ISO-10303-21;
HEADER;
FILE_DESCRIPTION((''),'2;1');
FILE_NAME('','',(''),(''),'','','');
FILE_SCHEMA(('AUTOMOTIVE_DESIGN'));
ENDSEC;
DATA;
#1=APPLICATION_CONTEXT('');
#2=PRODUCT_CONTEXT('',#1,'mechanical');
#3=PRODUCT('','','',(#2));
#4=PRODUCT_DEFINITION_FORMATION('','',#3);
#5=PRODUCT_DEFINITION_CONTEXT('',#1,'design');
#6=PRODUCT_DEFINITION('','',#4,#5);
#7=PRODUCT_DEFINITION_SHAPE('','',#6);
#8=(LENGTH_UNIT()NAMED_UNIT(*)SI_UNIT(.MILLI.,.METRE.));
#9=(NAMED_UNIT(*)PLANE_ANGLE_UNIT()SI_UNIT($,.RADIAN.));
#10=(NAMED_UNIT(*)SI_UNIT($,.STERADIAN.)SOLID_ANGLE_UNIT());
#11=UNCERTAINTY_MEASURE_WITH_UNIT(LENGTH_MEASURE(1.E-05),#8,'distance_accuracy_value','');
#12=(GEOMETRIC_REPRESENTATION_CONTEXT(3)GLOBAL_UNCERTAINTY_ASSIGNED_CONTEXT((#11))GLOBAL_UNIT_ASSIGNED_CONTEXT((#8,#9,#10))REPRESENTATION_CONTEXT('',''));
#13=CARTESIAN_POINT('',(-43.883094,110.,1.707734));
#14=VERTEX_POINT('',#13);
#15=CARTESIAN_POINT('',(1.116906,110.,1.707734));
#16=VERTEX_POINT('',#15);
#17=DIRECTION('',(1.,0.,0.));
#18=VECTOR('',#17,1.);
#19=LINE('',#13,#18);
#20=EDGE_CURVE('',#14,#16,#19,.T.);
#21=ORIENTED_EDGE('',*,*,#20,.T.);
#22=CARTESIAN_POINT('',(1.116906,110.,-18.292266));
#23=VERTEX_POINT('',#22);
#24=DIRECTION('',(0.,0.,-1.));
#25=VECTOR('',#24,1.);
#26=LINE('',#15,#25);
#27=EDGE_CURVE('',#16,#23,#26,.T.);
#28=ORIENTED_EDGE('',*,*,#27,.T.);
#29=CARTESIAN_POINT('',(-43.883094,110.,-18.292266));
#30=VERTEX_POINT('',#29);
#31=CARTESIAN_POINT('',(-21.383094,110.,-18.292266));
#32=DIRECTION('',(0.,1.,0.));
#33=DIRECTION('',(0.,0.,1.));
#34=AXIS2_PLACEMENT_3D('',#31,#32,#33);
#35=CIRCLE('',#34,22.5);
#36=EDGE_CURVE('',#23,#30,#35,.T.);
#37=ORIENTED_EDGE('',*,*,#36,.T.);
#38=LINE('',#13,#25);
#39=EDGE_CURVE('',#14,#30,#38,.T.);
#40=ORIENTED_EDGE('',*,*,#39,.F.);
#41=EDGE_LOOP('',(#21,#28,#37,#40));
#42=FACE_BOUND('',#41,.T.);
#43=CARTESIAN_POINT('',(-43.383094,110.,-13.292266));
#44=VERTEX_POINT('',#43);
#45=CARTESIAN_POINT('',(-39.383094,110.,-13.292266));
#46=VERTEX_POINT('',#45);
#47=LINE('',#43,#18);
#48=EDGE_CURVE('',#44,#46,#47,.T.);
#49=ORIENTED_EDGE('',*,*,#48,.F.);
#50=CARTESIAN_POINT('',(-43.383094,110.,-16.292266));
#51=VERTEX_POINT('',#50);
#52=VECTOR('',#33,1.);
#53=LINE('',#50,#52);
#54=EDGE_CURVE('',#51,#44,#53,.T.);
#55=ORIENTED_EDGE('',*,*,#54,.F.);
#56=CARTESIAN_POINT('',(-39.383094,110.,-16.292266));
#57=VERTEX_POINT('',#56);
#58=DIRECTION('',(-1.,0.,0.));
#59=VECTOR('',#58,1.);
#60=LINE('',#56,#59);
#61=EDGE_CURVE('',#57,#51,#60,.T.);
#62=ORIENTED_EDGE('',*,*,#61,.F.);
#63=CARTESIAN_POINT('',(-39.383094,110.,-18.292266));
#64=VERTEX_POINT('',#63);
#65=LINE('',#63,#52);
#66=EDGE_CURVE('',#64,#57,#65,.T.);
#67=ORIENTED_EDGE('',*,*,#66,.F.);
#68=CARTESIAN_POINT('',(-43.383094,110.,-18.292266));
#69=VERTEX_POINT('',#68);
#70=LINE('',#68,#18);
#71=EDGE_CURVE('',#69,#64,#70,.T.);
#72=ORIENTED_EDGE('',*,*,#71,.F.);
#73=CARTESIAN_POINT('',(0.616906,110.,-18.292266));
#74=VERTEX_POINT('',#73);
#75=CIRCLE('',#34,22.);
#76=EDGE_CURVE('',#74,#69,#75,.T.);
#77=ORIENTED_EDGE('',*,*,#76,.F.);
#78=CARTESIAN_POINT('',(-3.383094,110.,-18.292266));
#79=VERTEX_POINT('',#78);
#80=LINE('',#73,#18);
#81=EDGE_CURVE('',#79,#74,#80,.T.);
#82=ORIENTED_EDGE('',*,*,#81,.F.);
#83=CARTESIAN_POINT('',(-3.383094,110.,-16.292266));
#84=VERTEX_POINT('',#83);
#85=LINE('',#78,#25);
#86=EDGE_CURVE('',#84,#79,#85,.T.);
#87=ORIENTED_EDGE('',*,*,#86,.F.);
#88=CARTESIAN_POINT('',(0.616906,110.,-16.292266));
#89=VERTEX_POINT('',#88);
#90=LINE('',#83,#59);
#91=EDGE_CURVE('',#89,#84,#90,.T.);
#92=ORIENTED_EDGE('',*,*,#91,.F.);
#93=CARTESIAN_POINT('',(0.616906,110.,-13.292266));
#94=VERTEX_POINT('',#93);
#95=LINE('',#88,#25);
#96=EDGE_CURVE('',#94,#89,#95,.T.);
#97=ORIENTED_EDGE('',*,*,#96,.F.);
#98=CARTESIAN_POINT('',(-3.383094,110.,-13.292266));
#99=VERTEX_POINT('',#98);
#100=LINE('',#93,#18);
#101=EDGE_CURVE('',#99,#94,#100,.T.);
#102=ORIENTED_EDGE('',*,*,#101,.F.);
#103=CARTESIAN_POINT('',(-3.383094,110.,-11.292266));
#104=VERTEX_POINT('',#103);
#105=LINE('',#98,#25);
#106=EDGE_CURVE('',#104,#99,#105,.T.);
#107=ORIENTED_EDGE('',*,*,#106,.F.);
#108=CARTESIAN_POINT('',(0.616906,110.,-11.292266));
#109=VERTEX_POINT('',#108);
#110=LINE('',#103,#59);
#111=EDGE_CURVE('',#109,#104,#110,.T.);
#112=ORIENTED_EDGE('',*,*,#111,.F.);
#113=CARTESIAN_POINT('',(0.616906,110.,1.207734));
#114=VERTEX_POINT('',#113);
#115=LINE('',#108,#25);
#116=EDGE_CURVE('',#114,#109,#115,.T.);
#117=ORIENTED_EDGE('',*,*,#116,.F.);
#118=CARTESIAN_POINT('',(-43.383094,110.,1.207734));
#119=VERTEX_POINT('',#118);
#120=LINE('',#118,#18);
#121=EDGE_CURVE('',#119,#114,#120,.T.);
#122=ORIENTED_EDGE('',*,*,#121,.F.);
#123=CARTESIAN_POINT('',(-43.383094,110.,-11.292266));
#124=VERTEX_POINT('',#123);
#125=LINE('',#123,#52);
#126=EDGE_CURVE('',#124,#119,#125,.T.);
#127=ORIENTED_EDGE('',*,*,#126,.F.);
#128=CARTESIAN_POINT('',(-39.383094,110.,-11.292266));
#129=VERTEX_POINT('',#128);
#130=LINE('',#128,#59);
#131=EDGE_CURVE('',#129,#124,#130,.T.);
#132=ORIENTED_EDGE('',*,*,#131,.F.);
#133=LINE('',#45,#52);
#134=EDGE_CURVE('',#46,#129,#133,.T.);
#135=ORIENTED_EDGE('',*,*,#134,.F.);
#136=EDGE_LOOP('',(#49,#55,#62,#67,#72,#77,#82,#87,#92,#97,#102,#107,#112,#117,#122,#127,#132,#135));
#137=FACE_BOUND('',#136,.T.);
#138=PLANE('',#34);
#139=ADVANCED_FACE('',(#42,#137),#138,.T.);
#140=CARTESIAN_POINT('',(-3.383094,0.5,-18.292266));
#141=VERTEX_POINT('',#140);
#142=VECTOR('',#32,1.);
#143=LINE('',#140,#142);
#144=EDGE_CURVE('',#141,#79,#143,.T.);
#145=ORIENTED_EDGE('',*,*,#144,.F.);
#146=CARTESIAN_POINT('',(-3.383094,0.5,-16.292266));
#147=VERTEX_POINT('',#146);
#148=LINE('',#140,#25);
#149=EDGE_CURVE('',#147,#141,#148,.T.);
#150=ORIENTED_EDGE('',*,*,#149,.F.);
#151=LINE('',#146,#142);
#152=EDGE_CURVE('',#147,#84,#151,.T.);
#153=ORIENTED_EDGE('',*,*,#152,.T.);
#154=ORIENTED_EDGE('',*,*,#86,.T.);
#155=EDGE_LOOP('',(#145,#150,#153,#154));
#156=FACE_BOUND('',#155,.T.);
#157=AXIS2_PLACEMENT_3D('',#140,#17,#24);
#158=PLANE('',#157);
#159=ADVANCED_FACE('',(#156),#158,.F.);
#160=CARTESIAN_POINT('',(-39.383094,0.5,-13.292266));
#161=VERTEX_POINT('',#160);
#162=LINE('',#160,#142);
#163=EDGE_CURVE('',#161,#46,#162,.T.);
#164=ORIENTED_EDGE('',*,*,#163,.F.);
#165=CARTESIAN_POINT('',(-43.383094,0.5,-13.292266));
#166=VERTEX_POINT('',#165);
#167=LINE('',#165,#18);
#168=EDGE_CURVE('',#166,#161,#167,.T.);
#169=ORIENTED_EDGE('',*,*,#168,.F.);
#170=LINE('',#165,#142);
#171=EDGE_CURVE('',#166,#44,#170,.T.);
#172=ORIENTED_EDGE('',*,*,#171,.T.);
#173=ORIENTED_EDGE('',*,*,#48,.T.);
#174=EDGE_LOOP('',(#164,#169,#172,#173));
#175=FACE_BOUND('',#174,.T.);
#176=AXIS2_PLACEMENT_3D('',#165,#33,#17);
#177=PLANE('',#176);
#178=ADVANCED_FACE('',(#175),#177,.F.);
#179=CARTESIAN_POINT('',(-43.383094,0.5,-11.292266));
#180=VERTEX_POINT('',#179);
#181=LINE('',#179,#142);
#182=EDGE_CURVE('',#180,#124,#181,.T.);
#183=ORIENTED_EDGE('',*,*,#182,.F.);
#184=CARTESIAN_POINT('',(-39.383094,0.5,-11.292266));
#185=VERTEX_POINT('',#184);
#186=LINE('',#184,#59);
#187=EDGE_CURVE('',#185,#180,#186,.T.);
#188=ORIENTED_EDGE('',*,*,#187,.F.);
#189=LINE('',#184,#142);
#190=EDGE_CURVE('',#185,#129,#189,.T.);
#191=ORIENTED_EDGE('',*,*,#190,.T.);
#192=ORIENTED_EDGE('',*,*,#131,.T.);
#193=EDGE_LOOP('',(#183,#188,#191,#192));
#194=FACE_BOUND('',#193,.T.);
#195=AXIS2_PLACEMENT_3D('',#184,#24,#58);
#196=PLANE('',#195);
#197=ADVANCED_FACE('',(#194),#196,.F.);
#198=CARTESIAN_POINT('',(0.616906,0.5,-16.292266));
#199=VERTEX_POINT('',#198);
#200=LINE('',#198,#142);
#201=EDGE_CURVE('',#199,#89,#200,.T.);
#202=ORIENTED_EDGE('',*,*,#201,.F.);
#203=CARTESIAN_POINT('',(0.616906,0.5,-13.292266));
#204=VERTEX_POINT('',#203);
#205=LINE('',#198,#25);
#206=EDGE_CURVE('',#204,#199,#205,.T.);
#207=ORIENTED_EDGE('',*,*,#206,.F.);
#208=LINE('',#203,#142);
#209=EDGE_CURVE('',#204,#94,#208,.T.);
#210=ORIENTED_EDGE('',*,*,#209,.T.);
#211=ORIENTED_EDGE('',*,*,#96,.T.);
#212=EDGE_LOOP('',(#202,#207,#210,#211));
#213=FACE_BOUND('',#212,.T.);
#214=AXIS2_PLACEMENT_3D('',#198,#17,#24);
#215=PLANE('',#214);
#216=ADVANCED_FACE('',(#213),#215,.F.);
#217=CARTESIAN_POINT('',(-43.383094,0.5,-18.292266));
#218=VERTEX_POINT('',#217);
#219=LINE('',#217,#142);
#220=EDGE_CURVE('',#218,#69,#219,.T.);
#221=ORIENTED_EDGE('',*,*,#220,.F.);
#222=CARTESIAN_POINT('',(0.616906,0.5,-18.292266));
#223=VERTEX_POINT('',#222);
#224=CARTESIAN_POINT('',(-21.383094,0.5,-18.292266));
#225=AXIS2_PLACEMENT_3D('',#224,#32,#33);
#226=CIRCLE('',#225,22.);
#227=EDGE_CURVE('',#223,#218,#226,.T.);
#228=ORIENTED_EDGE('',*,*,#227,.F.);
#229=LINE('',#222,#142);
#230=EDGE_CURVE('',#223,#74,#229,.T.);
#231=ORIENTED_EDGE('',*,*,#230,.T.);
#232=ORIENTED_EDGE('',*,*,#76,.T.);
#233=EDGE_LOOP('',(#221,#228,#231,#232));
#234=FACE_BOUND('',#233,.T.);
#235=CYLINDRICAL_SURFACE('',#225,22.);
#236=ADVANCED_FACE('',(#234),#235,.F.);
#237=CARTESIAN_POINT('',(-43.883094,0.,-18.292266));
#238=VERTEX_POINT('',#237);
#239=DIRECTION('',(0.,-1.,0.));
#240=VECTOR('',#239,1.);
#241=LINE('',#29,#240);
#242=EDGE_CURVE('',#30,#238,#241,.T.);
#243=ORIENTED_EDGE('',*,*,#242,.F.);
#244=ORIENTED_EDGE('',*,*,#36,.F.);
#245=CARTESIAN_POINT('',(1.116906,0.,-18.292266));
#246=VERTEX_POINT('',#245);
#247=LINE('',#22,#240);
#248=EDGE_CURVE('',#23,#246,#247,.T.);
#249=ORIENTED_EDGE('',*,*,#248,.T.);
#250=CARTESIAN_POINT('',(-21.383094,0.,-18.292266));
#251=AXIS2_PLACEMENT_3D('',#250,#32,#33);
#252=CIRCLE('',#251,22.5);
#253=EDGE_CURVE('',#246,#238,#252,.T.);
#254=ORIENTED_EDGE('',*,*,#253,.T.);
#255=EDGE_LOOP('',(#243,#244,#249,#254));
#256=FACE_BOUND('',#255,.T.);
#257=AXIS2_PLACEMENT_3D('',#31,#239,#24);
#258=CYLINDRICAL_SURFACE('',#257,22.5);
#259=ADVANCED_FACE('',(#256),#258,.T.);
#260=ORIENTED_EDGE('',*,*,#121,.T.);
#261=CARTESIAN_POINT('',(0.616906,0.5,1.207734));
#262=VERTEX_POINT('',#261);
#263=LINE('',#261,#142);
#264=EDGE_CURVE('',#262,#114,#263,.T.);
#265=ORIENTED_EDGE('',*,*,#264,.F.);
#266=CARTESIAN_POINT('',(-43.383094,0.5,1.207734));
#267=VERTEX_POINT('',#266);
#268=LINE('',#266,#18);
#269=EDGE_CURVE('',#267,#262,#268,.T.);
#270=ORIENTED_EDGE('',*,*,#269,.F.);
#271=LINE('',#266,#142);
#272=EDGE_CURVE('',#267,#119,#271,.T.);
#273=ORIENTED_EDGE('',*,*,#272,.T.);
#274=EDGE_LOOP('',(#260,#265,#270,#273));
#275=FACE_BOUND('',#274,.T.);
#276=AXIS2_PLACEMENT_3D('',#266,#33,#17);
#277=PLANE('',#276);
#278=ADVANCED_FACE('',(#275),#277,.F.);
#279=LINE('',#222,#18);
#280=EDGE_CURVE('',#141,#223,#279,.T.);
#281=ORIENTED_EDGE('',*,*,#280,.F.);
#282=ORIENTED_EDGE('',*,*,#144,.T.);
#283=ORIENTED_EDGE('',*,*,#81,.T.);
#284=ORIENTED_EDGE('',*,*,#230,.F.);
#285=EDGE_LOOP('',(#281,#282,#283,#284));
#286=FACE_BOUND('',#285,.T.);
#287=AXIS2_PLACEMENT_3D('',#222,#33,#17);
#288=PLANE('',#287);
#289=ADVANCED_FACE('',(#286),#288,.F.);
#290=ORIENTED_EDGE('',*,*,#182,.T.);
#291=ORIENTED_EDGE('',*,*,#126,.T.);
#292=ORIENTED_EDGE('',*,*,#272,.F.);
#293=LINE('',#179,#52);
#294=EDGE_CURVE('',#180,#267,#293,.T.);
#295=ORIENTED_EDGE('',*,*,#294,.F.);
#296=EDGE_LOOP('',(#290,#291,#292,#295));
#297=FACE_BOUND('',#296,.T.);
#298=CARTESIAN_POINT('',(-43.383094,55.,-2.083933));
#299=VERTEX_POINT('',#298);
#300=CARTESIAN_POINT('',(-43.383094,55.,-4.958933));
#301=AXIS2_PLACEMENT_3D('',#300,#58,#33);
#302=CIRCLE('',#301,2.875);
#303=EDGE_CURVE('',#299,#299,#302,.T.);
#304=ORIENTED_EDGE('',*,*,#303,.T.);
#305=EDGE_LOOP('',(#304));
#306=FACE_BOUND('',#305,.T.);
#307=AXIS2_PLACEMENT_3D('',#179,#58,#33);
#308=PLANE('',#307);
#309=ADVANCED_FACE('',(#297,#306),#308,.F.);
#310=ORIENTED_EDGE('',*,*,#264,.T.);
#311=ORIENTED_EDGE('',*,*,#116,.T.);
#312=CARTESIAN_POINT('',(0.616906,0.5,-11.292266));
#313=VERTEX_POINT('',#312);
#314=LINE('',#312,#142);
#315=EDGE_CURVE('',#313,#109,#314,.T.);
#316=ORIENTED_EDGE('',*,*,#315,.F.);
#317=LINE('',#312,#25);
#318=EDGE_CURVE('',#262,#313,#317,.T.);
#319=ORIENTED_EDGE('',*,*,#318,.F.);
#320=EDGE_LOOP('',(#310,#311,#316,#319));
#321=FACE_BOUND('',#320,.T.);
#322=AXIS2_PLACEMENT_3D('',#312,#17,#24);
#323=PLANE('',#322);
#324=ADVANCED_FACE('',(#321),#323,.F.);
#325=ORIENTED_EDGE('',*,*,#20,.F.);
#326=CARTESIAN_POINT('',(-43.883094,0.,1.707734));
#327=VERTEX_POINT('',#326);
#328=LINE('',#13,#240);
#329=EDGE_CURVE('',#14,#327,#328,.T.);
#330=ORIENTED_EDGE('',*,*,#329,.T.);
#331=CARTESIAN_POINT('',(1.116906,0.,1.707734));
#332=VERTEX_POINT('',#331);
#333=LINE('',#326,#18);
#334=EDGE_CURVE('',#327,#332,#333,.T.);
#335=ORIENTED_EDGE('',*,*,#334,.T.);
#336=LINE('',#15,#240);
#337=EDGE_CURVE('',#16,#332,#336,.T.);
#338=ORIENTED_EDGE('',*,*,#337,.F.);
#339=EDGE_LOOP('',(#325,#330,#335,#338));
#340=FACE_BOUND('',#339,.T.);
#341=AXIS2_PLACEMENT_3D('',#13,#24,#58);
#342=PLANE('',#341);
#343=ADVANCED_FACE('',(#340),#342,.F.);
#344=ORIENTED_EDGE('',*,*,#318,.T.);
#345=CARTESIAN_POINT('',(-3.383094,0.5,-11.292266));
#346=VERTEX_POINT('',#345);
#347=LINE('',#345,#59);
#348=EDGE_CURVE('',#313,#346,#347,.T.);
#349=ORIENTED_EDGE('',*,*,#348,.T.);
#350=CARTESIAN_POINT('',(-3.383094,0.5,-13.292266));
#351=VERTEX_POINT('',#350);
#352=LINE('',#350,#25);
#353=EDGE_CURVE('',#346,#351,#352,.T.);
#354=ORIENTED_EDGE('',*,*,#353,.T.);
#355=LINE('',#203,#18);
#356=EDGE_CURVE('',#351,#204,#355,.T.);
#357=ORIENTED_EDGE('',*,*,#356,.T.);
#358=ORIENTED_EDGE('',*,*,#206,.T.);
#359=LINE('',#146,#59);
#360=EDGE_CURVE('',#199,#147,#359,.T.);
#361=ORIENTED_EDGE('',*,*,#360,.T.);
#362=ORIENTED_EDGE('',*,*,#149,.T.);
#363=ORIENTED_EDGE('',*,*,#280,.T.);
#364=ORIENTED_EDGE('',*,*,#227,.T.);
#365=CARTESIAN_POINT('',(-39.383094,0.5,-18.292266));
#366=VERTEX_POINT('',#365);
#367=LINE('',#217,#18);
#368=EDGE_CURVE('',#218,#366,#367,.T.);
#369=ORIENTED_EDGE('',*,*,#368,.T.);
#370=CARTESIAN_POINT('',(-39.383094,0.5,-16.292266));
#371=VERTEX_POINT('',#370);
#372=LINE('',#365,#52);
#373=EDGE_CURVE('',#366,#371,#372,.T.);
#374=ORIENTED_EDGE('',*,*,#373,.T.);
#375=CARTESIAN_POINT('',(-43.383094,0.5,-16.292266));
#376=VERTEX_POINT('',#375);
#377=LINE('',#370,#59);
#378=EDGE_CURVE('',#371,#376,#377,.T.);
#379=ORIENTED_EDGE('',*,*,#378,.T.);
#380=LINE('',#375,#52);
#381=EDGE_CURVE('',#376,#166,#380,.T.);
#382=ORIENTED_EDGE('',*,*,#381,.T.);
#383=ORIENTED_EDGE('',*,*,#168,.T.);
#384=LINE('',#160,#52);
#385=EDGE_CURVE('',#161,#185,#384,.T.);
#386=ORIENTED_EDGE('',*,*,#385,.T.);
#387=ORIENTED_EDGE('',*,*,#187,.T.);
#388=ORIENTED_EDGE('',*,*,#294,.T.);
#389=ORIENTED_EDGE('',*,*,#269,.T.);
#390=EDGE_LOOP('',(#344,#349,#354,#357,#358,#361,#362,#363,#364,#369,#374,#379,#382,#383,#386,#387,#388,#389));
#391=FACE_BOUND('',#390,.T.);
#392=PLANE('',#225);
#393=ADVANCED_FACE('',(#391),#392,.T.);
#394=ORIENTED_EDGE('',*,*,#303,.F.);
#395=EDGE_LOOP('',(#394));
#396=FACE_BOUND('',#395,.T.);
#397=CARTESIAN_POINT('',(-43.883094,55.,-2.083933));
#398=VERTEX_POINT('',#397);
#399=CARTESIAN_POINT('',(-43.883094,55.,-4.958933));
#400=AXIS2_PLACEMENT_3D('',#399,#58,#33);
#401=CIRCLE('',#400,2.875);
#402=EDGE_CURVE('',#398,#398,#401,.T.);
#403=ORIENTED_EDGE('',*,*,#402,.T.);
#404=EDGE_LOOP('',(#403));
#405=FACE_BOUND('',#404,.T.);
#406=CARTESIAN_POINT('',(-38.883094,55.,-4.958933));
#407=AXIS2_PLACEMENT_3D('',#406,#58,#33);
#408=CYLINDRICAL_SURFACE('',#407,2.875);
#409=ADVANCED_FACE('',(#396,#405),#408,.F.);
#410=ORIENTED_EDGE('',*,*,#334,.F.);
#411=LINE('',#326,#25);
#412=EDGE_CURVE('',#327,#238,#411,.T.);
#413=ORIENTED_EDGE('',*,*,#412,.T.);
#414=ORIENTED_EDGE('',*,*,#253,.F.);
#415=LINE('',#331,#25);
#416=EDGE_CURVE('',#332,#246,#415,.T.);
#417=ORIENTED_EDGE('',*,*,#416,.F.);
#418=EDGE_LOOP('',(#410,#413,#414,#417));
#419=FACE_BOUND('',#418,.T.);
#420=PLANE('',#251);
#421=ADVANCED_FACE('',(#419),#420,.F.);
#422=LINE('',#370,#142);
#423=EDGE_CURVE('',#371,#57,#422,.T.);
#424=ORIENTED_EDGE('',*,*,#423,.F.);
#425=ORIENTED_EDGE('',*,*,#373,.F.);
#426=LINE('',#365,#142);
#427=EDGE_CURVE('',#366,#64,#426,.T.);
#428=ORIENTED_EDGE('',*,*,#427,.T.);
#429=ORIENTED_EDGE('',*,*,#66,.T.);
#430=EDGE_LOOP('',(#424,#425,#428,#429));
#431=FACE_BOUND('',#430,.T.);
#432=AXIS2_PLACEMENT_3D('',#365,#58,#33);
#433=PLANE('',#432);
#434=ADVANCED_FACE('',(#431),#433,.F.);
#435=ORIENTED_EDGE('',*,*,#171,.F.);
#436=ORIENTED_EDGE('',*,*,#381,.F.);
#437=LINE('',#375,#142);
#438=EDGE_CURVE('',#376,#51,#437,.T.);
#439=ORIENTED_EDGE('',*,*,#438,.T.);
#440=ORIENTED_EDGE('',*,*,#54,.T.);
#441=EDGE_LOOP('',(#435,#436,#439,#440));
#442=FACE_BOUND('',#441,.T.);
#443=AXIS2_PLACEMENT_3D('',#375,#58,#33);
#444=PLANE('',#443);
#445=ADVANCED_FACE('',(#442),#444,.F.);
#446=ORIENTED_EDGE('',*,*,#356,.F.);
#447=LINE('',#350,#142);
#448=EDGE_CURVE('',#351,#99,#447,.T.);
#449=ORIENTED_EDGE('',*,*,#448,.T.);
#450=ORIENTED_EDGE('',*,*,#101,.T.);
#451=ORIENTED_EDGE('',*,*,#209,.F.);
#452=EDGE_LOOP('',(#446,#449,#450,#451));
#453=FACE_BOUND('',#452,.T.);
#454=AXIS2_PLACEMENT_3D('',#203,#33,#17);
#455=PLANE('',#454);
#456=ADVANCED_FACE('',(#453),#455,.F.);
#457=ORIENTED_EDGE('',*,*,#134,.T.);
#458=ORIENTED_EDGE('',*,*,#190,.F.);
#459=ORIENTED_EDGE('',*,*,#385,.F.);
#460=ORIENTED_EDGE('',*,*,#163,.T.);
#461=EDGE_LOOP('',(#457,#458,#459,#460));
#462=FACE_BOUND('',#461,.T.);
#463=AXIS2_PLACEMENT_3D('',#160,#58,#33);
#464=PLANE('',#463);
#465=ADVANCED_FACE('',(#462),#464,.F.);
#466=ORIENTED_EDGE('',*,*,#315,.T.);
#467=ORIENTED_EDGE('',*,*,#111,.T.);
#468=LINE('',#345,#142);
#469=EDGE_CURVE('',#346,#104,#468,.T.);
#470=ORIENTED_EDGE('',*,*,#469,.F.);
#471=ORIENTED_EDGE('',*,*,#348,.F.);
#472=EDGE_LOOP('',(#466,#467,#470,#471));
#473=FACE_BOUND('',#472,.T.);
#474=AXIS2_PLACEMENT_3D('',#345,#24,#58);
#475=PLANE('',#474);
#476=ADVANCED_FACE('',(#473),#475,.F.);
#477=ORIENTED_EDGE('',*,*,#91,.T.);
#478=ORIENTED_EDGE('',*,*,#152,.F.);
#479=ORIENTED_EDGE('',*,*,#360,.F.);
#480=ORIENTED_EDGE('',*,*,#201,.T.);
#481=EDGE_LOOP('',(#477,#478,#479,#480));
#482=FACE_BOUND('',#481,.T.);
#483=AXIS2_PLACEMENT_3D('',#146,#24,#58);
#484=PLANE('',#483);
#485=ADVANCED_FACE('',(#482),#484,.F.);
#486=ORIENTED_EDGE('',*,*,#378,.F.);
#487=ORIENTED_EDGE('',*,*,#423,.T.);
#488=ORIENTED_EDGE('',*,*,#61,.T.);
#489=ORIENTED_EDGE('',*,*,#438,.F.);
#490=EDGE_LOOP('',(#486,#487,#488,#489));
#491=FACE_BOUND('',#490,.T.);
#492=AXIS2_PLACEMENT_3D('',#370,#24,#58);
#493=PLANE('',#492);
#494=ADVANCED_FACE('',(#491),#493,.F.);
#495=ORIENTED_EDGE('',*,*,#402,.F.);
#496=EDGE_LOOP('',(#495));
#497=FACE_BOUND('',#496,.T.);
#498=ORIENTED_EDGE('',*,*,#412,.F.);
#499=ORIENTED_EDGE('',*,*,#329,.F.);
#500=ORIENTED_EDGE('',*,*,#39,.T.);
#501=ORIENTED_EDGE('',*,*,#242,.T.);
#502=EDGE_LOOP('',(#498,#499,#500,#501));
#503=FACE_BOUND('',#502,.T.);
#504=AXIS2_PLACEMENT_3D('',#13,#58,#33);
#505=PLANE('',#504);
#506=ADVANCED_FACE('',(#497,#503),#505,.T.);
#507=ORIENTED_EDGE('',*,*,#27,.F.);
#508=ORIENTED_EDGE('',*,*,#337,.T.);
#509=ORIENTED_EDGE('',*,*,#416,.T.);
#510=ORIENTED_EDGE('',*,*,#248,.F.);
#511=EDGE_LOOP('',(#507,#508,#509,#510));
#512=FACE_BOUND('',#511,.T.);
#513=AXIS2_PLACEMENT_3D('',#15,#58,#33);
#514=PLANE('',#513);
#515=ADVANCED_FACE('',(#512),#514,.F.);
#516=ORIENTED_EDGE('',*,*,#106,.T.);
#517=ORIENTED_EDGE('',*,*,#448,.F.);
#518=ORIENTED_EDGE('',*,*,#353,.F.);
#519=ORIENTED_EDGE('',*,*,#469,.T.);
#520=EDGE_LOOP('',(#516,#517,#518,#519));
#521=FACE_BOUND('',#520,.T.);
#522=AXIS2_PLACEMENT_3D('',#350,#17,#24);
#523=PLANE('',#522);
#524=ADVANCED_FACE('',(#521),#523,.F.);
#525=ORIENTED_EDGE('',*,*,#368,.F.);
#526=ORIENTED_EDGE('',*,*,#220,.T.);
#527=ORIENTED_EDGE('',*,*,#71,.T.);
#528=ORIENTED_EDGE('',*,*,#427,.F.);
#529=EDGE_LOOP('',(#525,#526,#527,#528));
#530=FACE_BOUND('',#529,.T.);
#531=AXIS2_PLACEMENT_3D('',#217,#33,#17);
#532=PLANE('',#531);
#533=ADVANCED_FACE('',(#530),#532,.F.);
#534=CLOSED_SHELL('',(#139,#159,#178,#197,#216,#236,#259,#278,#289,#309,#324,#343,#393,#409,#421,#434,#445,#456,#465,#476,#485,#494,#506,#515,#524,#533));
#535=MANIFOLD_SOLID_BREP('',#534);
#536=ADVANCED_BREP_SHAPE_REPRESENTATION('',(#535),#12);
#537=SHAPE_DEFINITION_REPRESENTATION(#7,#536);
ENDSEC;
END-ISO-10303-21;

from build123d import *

# Parameters (mm, degrees)
BOSS_EXTRUDE1_DEPTH = 110
CUT_EXTRUDE1_DEPTH  = 109.5
SKETCH3_R           = 2.875
CUT_EXTRUDE2_DEPTH  = 5


with BuildPart() as part:
    # Sketch1 → Boss-Extrude1 (new body)
    with BuildSketch(Plane(origin=(0, 0, 0), x_dir=(1, 0, 0), z_dir=(0, 1, 0))):
        with BuildLine():
            Line((-43.883093525, -1.707733813), (1.116906475, -1.707733813))
            Line((1.116906475, -1.707733813), (1.116906475, 18.292266187))
            ThreePointArc((1.116906475, 18.292266187), (-21.383093525, 40.792266187), (-43.883093525, 18.292266187))
            Line((-43.883093525, 18.292266187), (-43.883093525, -1.707733813))
        make_face()
    extrude(amount=BOSS_EXTRUDE1_DEPTH)

    # Sketch2 → Cut-Extrude1 (cut)
    with BuildSketch(Plane(origin=(0, 110, 0), x_dir=(1, 0, 0), z_dir=(0, 1, 0))):
        with BuildLine():
            Line((-43.383093525, 16.292266187), (-43.383093525, 13.292266187))
            Line((-43.383093525, 13.292266187), (-39.383093525, 13.292266187))
            Line((-39.383093525, 13.292266187), (-39.383093525, 11.292266187))
            Line((-39.383093525, 11.292266187), (-43.383093525, 11.292266187))
            Line((-43.383093525, 11.292266187), (-43.383093525, -1.207733813))
            Line((-43.383093525, -1.207733813), (0.616906475, -1.207733813))
            Line((0.616906475, -1.207733813), (0.616906475, 11.292266187))
            Line((0.616906475, 11.292266187), (-3.383093525, 11.292266187))
            Line((-3.383093525, 11.292266187), (-3.383093525, 13.292266187))
            Line((-3.383093525, 13.292266187), (0.616906475, 13.292266187))
            Line((0.616906475, 13.292266187), (0.616906475, 16.292266187))
            Line((0.616906475, 16.292266187), (-3.383093525, 16.292266187))
            Line((-3.383093525, 16.292266187), (-3.383093525, 18.292266187))
            Line((-3.383093525, 18.292266187), (0.616906475, 18.292266187))
            ThreePointArc((0.616906475, 18.292266187), (-21.383093525, 40.292266187), (-43.383093525, 18.292266187))
            Line((-43.383093525, 18.292266187), (-39.383093525, 18.292266187))
            Line((-39.383093525, 18.292266187), (-39.383093525, 16.292266187))
            Line((-39.383093525, 16.292266187), (-43.383093525, 16.292266187))
        make_face()
    extrude(amount=-CUT_EXTRUDE1_DEPTH, mode=Mode.SUBTRACT)

    # Sketch3 → Cut-Extrude2 (cut)
    with BuildSketch(Plane.ZY.offset(43.883093525)):
        with Locations((-4.958932854, 55)):
            Circle(SKETCH3_R)
    extrude(amount=-CUT_EXTRUDE2_DEPTH, mode=Mode.SUBTRACT)


solid = part.part
